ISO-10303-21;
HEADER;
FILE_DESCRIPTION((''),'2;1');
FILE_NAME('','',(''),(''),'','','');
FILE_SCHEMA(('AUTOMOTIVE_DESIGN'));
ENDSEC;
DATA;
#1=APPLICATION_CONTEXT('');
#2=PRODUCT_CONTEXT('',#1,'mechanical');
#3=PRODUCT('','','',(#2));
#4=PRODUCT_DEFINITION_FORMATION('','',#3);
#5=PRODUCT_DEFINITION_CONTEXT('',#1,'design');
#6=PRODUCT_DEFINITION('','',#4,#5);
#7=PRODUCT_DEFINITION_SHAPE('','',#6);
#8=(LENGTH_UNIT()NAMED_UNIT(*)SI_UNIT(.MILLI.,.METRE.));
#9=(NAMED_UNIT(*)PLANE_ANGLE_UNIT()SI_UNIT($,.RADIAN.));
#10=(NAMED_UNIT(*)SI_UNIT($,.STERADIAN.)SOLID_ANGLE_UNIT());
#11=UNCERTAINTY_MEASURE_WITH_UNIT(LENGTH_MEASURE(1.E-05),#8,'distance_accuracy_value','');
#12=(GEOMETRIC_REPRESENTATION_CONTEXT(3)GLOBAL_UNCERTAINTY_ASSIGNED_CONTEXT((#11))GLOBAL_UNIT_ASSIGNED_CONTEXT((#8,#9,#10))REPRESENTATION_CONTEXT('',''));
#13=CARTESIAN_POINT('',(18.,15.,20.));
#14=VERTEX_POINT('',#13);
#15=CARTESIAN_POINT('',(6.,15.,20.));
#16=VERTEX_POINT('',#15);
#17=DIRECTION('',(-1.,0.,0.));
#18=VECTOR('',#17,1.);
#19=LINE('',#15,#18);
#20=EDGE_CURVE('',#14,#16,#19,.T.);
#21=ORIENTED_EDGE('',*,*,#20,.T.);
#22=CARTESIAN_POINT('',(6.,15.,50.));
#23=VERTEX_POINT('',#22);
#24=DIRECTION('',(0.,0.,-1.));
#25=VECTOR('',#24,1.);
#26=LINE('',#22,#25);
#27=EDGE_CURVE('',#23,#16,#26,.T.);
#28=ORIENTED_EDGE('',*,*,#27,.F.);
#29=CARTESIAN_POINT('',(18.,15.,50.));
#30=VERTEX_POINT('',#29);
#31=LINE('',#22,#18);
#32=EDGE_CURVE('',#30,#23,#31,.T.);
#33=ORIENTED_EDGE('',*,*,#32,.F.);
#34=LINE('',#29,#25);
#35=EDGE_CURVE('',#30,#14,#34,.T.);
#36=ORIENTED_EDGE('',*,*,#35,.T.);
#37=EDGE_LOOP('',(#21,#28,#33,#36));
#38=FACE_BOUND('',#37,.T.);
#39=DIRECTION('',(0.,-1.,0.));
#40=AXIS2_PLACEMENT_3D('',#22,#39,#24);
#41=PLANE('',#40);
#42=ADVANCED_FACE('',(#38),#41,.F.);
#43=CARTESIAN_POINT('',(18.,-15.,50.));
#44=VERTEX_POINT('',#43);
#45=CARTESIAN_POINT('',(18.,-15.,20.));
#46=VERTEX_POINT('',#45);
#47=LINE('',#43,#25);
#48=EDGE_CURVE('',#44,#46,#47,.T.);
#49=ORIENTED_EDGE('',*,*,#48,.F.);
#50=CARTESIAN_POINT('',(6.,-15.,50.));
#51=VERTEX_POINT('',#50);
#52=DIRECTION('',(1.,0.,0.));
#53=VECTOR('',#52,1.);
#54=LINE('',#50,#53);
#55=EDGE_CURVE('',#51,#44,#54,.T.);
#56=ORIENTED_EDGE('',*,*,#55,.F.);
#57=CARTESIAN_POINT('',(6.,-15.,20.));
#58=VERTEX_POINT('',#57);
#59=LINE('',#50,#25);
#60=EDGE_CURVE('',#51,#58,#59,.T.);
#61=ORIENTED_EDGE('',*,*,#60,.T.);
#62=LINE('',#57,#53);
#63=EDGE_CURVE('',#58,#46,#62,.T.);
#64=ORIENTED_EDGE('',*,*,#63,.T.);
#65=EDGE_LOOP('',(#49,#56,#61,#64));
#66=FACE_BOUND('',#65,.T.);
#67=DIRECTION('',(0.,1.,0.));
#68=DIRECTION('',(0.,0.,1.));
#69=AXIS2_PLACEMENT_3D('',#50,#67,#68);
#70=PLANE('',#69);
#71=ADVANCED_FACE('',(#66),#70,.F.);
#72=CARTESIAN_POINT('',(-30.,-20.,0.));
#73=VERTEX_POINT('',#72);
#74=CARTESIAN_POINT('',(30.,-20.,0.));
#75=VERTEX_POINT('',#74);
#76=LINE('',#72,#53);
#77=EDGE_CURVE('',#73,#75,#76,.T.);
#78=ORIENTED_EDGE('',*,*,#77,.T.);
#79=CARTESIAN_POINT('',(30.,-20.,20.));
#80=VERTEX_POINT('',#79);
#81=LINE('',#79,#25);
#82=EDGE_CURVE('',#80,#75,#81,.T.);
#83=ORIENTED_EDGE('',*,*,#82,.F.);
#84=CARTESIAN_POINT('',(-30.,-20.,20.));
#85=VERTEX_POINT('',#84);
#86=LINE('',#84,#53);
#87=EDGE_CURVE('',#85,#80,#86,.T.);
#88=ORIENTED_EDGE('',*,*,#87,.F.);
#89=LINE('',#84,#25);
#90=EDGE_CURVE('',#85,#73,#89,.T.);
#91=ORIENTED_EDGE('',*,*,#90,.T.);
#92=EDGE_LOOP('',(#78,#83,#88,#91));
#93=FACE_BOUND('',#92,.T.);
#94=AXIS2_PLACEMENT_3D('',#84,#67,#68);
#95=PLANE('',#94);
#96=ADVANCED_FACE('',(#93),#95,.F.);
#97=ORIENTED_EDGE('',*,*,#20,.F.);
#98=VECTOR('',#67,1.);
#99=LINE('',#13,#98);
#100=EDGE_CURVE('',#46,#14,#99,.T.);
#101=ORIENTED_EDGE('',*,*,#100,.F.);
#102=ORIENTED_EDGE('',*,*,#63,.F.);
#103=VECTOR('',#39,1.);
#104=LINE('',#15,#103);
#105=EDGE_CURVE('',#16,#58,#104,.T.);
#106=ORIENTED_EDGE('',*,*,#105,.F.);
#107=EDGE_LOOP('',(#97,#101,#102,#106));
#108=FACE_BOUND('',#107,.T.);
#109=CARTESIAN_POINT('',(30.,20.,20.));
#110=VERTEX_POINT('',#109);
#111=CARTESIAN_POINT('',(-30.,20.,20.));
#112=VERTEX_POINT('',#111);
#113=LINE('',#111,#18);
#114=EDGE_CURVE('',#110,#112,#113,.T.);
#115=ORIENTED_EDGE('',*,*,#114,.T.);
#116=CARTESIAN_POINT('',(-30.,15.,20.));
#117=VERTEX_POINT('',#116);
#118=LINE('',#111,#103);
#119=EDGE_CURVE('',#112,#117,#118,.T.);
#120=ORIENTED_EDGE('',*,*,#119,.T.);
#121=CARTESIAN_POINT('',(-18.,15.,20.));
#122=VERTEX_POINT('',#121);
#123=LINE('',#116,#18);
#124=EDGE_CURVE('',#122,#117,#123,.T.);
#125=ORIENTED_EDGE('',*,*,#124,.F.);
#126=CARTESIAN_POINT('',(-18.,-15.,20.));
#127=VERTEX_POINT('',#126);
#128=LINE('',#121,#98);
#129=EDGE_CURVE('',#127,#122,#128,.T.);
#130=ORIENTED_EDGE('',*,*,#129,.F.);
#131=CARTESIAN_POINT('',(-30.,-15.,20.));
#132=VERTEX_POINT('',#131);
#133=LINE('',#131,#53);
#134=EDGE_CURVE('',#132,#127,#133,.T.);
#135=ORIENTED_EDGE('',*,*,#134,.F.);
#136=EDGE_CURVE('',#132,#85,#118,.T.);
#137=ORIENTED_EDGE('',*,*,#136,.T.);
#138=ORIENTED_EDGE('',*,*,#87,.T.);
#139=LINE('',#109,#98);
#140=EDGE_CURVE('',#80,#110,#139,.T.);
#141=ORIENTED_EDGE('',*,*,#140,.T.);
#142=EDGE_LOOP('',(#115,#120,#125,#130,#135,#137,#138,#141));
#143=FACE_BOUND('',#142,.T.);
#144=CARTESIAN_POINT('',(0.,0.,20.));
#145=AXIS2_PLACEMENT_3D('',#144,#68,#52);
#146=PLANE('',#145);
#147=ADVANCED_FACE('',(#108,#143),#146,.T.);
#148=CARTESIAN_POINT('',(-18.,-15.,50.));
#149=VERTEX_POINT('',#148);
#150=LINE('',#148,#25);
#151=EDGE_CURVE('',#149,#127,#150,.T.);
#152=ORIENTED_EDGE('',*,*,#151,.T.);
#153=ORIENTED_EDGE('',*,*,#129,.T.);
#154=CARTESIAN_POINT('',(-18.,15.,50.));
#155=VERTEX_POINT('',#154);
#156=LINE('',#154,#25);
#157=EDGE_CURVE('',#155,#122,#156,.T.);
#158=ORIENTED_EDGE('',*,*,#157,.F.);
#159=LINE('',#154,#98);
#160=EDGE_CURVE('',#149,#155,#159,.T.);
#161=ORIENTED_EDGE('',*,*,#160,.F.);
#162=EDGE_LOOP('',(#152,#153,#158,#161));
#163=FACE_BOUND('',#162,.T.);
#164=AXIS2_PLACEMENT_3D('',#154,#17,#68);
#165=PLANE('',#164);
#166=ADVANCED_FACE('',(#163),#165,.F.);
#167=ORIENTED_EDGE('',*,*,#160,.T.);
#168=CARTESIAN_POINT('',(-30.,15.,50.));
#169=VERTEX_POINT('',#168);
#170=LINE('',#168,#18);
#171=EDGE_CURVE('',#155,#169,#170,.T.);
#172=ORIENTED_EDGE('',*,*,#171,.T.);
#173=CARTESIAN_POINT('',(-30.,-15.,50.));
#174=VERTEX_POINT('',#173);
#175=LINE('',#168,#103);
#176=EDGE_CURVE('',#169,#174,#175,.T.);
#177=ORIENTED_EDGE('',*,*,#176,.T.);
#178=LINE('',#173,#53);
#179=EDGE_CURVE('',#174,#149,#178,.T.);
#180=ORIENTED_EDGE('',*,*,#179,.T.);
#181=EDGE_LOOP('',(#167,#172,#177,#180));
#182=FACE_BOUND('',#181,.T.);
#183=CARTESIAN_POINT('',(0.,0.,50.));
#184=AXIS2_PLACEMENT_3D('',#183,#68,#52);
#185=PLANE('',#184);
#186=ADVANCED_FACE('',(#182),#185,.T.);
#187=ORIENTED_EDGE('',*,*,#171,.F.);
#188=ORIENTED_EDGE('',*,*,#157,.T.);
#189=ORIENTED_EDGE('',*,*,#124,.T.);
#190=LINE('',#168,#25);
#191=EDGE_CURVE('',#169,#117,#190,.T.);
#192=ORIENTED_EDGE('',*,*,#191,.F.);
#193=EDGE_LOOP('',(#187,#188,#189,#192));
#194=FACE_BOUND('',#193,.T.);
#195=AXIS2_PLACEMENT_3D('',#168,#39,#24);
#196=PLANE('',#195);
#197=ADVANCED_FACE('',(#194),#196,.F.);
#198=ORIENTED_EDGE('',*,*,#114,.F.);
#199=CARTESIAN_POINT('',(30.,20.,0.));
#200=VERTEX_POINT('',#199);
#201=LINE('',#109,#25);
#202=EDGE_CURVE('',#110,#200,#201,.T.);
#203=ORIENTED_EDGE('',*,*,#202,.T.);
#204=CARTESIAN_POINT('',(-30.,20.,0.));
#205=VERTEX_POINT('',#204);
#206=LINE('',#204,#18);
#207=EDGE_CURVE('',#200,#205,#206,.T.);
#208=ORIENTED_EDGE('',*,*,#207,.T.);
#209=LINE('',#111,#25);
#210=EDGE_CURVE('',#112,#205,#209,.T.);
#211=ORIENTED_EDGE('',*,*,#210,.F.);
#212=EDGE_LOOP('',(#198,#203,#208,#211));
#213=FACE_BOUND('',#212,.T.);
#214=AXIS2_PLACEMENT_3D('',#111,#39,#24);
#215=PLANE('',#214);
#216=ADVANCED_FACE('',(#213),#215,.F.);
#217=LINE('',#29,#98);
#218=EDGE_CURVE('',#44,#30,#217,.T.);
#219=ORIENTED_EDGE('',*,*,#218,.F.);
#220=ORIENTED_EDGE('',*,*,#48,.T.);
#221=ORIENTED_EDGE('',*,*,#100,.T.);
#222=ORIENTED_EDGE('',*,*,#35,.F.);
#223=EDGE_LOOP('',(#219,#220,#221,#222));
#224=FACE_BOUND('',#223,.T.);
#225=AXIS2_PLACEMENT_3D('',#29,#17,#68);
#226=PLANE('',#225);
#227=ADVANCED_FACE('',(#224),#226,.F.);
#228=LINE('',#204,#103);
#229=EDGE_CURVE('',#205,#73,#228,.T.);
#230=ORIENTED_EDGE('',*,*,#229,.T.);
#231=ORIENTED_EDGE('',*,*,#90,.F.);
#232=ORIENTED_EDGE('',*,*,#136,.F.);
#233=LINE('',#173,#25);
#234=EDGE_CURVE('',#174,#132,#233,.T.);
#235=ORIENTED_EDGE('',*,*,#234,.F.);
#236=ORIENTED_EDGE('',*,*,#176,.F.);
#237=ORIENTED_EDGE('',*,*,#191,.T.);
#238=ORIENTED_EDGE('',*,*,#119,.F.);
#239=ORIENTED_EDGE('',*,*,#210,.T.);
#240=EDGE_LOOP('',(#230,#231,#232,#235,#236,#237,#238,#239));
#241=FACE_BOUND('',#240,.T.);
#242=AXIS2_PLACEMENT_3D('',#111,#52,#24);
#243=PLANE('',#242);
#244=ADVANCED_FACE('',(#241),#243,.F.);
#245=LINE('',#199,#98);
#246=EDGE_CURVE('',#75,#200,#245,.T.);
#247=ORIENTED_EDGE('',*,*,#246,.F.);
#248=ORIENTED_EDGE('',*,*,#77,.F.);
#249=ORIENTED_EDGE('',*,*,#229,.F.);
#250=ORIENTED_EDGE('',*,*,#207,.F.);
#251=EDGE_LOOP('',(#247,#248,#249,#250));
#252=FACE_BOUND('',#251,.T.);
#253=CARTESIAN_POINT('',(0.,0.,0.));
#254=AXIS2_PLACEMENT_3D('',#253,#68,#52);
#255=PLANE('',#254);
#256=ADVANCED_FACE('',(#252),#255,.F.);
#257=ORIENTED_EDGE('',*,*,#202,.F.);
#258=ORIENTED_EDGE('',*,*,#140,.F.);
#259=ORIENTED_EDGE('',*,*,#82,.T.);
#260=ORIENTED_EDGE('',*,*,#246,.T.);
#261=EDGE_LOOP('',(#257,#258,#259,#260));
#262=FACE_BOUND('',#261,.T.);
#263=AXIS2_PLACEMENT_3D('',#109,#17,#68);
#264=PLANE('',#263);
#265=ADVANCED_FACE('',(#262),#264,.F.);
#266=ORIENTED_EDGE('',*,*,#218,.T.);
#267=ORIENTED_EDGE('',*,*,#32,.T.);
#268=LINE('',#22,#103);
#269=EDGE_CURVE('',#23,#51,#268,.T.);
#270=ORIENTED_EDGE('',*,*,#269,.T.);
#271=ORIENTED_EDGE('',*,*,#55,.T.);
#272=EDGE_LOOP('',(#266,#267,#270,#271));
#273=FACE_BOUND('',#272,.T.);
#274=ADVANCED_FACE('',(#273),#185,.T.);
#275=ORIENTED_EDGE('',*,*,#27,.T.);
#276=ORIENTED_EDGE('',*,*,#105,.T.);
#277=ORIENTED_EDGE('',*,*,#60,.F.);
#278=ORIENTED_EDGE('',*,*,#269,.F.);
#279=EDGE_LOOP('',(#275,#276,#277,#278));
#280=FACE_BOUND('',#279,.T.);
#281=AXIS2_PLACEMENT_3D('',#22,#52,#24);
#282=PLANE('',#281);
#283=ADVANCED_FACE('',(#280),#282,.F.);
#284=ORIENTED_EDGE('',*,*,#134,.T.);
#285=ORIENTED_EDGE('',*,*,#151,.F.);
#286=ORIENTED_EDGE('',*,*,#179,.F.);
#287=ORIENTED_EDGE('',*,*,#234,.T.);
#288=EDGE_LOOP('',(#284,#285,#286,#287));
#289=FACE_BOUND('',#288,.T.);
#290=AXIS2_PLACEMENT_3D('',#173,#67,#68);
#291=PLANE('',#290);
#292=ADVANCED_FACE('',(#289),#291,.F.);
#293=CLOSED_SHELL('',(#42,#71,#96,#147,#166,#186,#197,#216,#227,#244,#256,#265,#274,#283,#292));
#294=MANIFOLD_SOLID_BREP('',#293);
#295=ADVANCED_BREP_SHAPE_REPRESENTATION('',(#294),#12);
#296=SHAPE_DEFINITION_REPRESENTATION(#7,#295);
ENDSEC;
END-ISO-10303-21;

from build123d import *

# Parameters (mm, degrees)
SKETCH_8_W      = 60
SKETCH_8_H      = 40
EXTRUDE_1_DEPTH = 20
SKETCH_9_W      = 12
SKETCH_9_H      = 30
EXTRUDE_2_DEPTH = 30
SKETCH_10_W     = 12
SKETCH_10_H     = 30
EXTRUDE_3_DEPTH = 30


with BuildPart() as part:
    # 草图8 → 凸台-拉伸1 (new body)
    with BuildSketch(Plane.XY):
        Rectangle(SKETCH_8_W, SKETCH_8_H)
    extrude(amount=EXTRUDE_1_DEPTH)

    # 草图9 → 凸台-拉伸2 (add)
    with BuildSketch(Plane.XY.offset(20)):
        with Locations((-24, 0)):
            Rectangle(SKETCH_9_W, SKETCH_9_H)
    extrude(amount=EXTRUDE_2_DEPTH)

    # 草图10 → 凸台-拉伸3 (add)
    with BuildSketch(Plane.XY.offset(20)):
        with Locations((12, 0)):
            Rectangle(SKETCH_10_W, SKETCH_10_H)
    extrude(amount=EXTRUDE_3_DEPTH)


solid = part.part
